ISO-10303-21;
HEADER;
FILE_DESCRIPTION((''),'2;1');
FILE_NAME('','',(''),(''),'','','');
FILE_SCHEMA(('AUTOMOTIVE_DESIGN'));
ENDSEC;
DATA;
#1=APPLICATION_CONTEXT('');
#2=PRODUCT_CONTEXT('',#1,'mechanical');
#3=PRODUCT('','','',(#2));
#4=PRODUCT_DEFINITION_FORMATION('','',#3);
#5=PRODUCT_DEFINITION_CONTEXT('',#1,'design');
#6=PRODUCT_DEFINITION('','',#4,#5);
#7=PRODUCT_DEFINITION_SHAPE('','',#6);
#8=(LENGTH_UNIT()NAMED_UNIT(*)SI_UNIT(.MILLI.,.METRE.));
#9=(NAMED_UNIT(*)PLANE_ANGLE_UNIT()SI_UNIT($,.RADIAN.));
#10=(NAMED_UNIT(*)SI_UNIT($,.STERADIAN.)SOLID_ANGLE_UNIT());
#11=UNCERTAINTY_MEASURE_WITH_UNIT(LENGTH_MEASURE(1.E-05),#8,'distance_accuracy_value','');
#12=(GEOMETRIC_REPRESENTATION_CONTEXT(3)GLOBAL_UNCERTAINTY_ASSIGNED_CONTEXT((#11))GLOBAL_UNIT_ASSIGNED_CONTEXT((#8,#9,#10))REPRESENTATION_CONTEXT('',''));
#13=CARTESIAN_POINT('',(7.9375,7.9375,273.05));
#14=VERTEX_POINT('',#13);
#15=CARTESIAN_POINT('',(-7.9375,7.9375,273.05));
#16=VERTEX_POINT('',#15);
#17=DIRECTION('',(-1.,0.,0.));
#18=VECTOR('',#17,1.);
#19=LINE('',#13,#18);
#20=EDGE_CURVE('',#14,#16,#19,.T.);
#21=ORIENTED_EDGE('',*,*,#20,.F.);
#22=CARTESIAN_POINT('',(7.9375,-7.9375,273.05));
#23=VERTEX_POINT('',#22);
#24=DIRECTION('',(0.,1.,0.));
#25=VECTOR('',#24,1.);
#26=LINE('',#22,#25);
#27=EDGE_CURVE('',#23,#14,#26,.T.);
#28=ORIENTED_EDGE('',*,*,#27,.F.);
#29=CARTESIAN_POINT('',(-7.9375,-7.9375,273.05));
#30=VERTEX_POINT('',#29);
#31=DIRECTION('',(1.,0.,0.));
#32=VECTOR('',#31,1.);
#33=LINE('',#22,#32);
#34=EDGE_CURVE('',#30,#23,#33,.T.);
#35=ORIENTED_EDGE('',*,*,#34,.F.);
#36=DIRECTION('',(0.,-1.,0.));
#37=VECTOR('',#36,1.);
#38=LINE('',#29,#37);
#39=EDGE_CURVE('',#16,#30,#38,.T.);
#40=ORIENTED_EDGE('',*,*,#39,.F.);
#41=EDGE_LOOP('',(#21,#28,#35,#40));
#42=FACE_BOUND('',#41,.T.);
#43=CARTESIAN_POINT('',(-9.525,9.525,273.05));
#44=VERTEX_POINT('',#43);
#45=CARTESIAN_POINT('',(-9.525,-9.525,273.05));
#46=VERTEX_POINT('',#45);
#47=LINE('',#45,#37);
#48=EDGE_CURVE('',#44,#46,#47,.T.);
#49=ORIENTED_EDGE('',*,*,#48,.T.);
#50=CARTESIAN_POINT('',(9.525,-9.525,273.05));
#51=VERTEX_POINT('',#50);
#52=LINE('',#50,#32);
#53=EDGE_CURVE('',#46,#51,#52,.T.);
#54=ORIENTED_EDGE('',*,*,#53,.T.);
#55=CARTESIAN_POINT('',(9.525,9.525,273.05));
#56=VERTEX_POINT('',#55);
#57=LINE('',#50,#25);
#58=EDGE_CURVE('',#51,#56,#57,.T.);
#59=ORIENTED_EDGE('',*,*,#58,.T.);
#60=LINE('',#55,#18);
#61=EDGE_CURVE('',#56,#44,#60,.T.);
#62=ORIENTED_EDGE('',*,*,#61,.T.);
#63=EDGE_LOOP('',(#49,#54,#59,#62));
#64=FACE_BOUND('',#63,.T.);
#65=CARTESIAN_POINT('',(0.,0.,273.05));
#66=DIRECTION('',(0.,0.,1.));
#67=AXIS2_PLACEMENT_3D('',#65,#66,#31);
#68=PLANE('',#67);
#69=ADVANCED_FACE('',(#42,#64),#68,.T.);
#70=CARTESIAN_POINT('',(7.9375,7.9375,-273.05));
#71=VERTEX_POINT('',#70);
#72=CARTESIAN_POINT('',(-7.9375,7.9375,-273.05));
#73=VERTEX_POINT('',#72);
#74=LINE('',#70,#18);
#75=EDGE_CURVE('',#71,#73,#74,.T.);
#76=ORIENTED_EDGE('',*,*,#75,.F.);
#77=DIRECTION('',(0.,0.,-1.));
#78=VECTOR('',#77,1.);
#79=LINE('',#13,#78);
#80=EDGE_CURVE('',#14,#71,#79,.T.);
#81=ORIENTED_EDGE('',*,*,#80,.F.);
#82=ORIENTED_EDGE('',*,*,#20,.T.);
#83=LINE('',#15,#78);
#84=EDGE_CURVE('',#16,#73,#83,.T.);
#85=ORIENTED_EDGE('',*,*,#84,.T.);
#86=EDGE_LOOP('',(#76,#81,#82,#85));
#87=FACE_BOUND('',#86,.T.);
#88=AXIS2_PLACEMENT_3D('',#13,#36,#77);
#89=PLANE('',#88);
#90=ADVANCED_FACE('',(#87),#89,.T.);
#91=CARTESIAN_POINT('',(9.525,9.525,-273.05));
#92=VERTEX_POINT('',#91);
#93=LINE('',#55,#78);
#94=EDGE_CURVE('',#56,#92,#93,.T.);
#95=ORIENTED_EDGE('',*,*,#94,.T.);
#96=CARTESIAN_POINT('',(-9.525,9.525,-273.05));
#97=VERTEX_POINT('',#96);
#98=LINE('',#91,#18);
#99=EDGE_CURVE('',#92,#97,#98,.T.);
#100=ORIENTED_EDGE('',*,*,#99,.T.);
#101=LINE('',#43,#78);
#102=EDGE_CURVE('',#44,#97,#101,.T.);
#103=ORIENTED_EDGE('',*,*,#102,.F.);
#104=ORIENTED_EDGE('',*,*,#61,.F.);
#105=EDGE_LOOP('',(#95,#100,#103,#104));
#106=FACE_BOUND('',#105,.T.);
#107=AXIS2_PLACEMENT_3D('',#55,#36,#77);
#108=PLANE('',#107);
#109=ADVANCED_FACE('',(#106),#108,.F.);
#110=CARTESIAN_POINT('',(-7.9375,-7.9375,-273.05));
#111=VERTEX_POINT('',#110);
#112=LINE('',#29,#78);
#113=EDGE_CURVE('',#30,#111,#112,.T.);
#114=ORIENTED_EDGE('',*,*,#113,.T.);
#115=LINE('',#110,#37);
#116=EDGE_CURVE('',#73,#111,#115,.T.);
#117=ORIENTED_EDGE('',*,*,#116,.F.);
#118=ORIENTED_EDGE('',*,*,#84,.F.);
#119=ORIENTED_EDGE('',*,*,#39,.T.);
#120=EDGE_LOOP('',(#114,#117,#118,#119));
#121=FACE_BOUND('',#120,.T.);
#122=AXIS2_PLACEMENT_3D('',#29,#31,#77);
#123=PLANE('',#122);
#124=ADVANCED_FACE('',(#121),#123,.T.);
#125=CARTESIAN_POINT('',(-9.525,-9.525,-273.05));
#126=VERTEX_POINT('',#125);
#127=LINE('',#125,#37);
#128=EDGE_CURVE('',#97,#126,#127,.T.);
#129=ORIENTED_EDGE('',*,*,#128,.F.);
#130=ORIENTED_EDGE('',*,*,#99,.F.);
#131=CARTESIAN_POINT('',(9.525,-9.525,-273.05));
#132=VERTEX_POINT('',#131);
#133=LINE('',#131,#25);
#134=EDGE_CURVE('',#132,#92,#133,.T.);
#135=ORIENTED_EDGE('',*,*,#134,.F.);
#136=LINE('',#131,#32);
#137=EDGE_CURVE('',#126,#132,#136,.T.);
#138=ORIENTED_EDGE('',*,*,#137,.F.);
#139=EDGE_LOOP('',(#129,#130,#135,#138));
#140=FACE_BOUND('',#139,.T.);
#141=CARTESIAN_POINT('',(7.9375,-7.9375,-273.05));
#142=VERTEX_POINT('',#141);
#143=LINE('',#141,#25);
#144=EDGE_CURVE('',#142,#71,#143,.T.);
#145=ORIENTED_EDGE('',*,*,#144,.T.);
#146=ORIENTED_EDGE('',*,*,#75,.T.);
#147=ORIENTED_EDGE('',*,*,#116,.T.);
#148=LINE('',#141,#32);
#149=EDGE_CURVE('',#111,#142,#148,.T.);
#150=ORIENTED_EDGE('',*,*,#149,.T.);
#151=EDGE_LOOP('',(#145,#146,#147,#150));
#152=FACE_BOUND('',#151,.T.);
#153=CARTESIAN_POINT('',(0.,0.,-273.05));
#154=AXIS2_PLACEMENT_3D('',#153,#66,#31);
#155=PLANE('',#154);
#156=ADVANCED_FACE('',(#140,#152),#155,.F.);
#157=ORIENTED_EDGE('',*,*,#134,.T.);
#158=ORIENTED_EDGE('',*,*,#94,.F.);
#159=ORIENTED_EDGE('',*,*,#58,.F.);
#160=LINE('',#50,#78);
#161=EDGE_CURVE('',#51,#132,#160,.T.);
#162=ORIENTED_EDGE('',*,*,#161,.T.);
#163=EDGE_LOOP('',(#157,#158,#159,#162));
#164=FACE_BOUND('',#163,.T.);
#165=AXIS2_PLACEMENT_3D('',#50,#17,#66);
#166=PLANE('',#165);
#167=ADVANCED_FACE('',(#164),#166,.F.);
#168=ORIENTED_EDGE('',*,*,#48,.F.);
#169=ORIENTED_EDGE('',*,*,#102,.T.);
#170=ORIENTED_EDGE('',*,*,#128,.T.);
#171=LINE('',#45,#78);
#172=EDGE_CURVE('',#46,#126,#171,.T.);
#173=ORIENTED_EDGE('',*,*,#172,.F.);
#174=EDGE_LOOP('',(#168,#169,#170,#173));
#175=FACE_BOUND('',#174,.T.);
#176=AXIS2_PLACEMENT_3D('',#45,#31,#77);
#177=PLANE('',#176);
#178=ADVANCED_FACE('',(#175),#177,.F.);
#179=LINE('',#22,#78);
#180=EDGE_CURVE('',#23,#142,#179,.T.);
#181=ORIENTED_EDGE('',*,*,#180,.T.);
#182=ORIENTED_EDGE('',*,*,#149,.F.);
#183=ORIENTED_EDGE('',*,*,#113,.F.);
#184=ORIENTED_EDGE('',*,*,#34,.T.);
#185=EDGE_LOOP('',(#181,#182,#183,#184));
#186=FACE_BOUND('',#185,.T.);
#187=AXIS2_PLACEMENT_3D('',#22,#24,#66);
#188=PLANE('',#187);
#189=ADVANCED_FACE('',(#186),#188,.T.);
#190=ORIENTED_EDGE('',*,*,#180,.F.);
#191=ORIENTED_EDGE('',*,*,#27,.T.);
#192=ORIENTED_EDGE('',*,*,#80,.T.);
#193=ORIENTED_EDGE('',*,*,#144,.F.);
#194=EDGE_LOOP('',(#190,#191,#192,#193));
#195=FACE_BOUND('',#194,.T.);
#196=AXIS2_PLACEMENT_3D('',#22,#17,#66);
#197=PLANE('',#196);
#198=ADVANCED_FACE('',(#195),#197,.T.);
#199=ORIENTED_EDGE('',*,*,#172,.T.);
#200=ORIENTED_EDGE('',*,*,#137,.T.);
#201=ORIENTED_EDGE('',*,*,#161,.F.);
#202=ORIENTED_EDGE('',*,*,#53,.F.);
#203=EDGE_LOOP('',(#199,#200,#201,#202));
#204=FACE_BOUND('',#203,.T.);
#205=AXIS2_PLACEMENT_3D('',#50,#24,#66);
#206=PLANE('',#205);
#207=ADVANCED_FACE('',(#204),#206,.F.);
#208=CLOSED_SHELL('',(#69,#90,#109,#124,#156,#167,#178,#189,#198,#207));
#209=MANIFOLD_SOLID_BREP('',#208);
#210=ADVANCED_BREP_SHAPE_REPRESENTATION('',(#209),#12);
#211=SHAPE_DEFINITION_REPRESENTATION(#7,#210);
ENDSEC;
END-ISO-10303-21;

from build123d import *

# Parameters (mm, degrees)
SKETCH1_W           = 19.05
SKETCH1_H           = 19.05
SKETCH1_W_2         = 15.875
SKETCH1_H_2         = 15.875
BOSS_EXTRUDE1_DEPTH = 273.05


with BuildPart() as part:
    # Sketch1 → Boss-Extrude1 (new, symmetric)
    with BuildSketch(Plane.XY):
        Rectangle(SKETCH1_W, SKETCH1_H)
        Rectangle(SKETCH1_W_2, SKETCH1_H_2, mode=Mode.SUBTRACT)
    extrude(amount=BOSS_EXTRUDE1_DEPTH, both=True)


solid = part.part
